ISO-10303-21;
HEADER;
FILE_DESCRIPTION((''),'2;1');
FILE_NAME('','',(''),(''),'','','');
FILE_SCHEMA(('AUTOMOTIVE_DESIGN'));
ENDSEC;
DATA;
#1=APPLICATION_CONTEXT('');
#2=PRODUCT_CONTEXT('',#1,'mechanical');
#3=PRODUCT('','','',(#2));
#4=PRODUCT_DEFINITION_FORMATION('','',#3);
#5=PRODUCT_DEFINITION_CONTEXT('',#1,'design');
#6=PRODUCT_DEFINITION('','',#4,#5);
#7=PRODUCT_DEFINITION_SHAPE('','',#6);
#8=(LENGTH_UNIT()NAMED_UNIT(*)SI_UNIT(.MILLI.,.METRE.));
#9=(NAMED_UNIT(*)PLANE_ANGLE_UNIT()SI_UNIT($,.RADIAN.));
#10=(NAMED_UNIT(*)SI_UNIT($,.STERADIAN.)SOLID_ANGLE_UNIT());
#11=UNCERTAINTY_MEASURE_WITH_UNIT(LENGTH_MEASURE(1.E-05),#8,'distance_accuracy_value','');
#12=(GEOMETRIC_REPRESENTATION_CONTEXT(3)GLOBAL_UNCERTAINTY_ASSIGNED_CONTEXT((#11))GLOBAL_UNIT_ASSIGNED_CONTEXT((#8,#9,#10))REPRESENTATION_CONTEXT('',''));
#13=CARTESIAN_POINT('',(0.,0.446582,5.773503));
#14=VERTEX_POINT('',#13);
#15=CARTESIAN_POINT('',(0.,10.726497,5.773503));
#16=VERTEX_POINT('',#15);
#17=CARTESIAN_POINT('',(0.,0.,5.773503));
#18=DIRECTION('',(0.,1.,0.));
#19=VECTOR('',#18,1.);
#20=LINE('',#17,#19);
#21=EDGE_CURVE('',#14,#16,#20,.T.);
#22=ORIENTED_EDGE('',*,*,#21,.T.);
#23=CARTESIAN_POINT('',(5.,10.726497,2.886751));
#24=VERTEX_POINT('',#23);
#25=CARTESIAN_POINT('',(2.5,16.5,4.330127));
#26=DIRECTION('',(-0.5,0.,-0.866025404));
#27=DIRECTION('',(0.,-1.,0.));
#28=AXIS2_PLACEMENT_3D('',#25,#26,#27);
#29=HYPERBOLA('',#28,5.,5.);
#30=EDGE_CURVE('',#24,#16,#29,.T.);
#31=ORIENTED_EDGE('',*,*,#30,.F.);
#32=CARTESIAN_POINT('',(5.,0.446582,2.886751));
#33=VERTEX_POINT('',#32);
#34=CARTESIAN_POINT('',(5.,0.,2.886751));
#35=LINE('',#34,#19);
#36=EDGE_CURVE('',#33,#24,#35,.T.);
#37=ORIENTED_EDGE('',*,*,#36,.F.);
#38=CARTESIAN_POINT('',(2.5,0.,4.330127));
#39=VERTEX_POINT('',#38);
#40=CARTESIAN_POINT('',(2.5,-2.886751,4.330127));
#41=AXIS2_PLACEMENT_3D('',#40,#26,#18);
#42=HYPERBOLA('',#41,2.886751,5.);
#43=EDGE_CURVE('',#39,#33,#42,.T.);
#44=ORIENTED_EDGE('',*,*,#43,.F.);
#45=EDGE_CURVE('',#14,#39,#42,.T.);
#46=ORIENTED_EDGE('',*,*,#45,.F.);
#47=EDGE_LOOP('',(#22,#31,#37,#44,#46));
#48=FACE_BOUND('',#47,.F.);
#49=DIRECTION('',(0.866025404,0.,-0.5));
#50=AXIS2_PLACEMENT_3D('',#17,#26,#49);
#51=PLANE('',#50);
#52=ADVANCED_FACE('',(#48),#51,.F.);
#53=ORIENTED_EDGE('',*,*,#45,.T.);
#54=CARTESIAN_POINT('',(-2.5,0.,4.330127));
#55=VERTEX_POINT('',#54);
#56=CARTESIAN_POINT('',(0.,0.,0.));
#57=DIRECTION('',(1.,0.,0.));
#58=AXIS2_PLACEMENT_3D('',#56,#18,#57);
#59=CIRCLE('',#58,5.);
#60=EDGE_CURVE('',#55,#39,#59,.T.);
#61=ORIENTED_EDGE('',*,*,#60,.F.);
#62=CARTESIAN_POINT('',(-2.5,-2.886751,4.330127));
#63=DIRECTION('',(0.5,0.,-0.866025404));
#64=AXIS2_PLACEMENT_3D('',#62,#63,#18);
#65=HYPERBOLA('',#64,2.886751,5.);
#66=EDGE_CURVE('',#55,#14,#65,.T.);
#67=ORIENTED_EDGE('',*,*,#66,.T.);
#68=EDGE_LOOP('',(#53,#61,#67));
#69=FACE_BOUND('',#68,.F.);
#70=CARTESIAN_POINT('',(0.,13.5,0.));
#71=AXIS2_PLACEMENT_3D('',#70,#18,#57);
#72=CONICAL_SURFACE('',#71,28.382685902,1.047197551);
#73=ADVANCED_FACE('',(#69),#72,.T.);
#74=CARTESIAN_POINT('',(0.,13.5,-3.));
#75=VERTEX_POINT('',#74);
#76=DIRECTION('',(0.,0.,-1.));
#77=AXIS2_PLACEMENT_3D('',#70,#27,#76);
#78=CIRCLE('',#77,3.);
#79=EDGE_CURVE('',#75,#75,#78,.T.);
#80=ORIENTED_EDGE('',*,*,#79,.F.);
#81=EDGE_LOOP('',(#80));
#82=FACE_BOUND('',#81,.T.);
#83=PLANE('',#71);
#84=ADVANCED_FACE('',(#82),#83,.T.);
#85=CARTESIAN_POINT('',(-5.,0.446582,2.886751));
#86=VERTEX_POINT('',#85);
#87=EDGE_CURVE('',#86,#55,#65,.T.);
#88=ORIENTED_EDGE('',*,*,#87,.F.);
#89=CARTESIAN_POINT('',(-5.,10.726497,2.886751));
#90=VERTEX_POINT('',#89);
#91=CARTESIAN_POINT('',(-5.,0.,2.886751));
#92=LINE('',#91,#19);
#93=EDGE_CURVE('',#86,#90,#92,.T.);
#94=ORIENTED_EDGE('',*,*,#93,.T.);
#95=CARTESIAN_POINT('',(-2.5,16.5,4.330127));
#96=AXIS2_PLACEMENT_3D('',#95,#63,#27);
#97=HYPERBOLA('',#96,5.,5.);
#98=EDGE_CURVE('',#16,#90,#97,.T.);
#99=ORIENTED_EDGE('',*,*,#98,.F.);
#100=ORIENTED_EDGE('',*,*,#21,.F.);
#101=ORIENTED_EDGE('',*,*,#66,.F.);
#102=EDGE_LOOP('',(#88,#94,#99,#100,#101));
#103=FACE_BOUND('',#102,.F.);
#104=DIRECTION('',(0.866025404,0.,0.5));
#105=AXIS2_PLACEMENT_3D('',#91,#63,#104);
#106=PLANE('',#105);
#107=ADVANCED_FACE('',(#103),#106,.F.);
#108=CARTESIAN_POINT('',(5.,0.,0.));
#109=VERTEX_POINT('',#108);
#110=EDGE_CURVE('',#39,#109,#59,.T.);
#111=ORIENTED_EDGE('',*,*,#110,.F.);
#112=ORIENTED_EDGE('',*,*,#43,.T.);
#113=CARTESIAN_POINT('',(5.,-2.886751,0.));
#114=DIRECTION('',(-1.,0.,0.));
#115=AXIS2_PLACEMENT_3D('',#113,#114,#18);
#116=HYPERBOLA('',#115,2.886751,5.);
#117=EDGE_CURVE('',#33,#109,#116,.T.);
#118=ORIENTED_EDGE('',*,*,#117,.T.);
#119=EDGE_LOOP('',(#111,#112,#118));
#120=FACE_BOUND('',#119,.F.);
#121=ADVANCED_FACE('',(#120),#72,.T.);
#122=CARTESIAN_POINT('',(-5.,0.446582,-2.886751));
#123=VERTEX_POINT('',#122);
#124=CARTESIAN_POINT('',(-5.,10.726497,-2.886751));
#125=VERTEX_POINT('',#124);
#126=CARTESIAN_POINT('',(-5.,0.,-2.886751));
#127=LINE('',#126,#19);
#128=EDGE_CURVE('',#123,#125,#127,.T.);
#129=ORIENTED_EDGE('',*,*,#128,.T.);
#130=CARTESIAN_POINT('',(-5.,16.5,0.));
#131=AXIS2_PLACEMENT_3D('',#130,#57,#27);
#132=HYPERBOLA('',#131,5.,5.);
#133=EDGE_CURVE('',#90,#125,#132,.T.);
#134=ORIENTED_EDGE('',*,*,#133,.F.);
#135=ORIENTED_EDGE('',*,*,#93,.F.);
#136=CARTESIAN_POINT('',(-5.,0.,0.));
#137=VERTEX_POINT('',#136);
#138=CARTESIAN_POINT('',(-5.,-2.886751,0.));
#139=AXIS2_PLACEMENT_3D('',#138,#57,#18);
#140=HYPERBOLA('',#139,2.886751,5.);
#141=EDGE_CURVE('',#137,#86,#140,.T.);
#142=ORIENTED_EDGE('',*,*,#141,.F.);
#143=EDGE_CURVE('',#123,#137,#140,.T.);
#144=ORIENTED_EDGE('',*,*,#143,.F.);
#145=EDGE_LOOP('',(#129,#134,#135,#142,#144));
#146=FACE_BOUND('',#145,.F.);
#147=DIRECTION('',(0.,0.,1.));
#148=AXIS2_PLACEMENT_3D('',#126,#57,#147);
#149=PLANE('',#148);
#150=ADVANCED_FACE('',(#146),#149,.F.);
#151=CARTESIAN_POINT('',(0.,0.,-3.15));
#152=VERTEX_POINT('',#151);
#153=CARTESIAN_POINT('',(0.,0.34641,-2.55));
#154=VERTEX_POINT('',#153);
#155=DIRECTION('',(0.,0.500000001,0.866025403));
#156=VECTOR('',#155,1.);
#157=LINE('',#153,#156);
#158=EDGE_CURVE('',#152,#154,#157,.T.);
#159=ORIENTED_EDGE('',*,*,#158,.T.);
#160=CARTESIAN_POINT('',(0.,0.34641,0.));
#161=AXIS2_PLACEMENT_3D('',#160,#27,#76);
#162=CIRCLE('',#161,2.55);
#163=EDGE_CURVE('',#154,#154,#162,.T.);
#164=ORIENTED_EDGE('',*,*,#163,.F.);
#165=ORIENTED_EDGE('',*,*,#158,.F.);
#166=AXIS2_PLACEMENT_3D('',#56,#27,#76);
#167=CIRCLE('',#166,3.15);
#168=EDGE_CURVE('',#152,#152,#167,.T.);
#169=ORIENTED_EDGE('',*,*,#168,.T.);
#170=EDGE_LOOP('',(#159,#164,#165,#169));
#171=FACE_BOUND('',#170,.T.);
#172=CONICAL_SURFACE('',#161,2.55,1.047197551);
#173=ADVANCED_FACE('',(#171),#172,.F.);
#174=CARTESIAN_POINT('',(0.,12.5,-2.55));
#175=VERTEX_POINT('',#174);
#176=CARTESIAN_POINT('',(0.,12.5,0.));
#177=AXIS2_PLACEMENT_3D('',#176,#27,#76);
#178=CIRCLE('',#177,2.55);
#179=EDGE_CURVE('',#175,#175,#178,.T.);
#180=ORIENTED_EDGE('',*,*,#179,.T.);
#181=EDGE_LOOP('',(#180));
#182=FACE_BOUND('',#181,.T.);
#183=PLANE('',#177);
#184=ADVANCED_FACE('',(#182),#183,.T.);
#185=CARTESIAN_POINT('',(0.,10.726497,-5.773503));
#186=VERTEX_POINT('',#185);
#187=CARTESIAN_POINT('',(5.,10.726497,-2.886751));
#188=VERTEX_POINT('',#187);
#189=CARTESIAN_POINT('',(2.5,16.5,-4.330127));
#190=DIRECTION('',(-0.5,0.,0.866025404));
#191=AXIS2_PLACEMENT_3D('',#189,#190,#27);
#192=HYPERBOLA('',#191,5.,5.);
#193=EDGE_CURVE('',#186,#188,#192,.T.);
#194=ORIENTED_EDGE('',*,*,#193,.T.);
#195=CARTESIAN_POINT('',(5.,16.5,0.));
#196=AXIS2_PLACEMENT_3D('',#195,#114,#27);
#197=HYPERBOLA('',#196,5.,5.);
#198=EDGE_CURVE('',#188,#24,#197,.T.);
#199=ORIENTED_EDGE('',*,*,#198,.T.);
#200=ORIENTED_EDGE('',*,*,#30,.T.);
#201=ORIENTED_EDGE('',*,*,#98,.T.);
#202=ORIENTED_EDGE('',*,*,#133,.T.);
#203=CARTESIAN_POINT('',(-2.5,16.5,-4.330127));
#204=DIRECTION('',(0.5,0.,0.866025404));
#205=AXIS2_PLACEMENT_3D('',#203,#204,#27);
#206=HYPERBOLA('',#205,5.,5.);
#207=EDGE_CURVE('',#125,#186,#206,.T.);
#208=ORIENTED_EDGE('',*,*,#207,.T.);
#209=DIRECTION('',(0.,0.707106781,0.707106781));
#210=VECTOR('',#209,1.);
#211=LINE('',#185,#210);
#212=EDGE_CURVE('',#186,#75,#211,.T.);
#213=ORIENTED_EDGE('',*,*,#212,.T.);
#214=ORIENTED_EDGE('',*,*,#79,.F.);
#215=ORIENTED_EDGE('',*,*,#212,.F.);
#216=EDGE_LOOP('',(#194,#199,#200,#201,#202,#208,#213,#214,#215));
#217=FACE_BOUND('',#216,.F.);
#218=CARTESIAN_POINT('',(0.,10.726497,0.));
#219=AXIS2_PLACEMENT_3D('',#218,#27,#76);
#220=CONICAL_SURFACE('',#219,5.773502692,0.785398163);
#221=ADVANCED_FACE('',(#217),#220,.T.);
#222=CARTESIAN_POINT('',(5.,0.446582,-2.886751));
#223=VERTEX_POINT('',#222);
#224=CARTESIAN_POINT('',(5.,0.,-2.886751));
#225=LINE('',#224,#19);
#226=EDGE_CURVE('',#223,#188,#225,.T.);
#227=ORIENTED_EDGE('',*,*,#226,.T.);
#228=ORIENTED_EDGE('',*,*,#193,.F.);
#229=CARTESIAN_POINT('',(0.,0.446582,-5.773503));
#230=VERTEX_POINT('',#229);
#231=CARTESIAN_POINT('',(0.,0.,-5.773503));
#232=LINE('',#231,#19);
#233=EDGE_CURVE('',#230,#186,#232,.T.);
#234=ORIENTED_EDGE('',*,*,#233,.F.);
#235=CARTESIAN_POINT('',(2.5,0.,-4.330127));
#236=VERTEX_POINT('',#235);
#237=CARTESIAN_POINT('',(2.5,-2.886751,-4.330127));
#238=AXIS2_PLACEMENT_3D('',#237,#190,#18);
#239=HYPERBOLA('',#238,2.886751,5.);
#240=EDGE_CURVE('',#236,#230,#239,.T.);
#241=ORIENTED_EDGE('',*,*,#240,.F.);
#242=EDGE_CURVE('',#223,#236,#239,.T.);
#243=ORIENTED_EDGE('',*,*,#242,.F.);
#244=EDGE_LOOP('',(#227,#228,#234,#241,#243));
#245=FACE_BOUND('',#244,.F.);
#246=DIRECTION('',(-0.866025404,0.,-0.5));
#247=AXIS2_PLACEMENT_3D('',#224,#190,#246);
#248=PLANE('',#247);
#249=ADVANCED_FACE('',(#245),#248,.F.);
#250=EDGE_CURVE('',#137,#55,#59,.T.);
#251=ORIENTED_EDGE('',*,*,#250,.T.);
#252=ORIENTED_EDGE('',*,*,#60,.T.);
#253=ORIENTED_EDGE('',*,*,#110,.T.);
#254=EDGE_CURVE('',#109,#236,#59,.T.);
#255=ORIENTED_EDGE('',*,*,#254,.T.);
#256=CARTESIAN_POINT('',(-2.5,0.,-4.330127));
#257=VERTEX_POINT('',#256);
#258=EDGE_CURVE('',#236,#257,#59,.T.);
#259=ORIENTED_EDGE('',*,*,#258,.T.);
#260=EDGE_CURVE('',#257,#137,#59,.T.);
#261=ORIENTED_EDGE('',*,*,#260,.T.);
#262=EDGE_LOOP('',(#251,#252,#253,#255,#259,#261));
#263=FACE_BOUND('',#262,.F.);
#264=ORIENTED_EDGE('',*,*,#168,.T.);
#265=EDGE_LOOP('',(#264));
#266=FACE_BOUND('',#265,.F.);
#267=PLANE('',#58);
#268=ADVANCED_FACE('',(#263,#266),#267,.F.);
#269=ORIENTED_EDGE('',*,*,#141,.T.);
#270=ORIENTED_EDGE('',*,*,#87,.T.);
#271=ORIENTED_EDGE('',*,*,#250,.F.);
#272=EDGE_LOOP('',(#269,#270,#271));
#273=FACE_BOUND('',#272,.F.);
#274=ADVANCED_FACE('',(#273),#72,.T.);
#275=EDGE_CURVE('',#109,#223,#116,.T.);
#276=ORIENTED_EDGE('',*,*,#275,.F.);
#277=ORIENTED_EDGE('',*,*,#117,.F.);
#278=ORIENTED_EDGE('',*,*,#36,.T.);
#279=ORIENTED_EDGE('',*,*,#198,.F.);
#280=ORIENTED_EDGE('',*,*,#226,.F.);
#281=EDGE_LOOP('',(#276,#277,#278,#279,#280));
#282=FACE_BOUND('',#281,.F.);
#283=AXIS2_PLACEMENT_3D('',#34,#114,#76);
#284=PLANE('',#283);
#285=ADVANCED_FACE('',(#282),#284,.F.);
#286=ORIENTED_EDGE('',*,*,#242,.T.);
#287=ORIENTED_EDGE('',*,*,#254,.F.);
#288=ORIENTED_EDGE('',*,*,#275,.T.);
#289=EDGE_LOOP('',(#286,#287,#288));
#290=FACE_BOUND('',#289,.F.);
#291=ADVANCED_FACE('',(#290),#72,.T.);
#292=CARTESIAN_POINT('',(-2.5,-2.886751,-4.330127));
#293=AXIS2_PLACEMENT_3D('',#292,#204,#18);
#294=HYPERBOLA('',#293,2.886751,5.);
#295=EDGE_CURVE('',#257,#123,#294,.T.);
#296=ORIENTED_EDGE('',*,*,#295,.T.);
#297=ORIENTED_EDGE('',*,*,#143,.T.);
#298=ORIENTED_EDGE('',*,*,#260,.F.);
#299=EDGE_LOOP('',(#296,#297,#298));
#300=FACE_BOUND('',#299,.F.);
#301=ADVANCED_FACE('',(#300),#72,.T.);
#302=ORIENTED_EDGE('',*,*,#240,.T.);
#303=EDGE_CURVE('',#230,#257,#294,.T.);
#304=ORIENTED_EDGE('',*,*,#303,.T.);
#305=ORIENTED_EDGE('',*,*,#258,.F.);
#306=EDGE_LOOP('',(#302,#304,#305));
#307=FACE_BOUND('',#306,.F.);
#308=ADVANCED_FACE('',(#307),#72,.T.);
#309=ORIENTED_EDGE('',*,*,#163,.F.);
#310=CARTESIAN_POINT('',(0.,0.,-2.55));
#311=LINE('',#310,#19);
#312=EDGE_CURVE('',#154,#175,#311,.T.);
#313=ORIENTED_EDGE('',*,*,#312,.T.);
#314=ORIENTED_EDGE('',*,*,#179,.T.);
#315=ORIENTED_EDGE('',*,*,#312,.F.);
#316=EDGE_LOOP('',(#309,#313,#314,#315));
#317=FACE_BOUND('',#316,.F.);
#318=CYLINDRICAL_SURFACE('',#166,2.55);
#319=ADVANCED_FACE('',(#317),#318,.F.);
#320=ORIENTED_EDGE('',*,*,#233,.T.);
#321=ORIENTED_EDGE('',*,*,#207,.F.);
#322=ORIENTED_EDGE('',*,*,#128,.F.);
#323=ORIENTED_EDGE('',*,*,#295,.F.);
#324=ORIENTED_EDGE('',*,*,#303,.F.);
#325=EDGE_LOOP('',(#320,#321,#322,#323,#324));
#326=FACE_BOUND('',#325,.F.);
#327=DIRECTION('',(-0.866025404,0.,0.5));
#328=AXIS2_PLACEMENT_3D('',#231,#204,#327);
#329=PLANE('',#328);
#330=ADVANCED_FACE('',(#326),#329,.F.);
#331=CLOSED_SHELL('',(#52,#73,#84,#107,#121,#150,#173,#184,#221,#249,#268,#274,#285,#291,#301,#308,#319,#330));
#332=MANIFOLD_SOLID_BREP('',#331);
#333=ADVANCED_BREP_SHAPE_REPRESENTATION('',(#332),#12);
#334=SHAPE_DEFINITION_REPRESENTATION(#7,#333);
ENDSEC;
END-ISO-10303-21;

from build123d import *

# Parameters (mm, degrees)
VYSUNOUT1_DEPTH          = 13.5
SKICA4_R                 = 2.55
ODEBRAT_VYSUNUT_M1_DEPTH = 12.5
ZKOSIT1_SIZE             = 0.6
ZKOSIT1_SIZE2            = 0.346410162


with BuildPart() as part:
    # Skica1 → Vysunout1 (new body)
    with BuildSketch(Plane(origin=(0, 0, 0), x_dir=(1, 0, 0), z_dir=(0, 1, 0))):
        Polygon((5, -2.886751346), (5, 2.886751346), (0, 5.773502692), (-5, 2.886751346), (-5, -2.886751346), (0, -5.773502692), align=None)
    extrude(amount=VYSUNOUT1_DEPTH)

    # Skica2 → Odebrat otočením1 (revolve, cut)
    with BuildSketch(Plane(origin=(0, 0, 0), x_dir=(0, 0, -1), z_dir=(1, 0, 0)), mode=Mode.PRIVATE) as odebrat_oto_en_m1_sk:
        Polygon((-5.773502692, 13.5), (-5.773502692, 10.726497308), (-3, 13.5), align=None)
    revolve(odebrat_oto_en_m1_sk.sketch.rotate(Axis((0, 13.5, 0), (0, -1, 0)), 180), axis=Axis((0, 13.5, 0), (0, -1, 0)), mode=Mode.SUBTRACT)

    # Skica3 → Odebrat otočením2 (revolve, cut)
    with BuildSketch(Plane.XY):
        Polygon((5, 0), (28.382685902, 0), (28.382685902, 13.5), align=None)
    revolve(axis=Axis((0, 0, 0), (0, 1, 0)), mode=Mode.SUBTRACT)

    # Skica4 → Odebrat vysunutím1 (cut)
    with BuildSketch(Plane.XZ):
        with Locations(Location((0, 0, 0), (0, 0, 270))):
            Circle(SKICA4_R)
    extrude(amount=-ODEBRAT_VYSUNUT_M1_DEPTH, mode=Mode.SUBTRACT)

    # Zkosit1
    zkosit1_edges = [part.edges().sort_by_distance(p)[0] for p in [
        (0, 0, 2.55),
    ]]
    zkosit1_side = [part.faces().sort_by_distance(p)[0] for p in [
        (4.207652534, 0, 2.429289317),
    ]]
    chamfer(zkosit1_edges, length=ZKOSIT1_SIZE, length2=ZKOSIT1_SIZE2, reference=zkosit1_side[0])


solid = part.part
